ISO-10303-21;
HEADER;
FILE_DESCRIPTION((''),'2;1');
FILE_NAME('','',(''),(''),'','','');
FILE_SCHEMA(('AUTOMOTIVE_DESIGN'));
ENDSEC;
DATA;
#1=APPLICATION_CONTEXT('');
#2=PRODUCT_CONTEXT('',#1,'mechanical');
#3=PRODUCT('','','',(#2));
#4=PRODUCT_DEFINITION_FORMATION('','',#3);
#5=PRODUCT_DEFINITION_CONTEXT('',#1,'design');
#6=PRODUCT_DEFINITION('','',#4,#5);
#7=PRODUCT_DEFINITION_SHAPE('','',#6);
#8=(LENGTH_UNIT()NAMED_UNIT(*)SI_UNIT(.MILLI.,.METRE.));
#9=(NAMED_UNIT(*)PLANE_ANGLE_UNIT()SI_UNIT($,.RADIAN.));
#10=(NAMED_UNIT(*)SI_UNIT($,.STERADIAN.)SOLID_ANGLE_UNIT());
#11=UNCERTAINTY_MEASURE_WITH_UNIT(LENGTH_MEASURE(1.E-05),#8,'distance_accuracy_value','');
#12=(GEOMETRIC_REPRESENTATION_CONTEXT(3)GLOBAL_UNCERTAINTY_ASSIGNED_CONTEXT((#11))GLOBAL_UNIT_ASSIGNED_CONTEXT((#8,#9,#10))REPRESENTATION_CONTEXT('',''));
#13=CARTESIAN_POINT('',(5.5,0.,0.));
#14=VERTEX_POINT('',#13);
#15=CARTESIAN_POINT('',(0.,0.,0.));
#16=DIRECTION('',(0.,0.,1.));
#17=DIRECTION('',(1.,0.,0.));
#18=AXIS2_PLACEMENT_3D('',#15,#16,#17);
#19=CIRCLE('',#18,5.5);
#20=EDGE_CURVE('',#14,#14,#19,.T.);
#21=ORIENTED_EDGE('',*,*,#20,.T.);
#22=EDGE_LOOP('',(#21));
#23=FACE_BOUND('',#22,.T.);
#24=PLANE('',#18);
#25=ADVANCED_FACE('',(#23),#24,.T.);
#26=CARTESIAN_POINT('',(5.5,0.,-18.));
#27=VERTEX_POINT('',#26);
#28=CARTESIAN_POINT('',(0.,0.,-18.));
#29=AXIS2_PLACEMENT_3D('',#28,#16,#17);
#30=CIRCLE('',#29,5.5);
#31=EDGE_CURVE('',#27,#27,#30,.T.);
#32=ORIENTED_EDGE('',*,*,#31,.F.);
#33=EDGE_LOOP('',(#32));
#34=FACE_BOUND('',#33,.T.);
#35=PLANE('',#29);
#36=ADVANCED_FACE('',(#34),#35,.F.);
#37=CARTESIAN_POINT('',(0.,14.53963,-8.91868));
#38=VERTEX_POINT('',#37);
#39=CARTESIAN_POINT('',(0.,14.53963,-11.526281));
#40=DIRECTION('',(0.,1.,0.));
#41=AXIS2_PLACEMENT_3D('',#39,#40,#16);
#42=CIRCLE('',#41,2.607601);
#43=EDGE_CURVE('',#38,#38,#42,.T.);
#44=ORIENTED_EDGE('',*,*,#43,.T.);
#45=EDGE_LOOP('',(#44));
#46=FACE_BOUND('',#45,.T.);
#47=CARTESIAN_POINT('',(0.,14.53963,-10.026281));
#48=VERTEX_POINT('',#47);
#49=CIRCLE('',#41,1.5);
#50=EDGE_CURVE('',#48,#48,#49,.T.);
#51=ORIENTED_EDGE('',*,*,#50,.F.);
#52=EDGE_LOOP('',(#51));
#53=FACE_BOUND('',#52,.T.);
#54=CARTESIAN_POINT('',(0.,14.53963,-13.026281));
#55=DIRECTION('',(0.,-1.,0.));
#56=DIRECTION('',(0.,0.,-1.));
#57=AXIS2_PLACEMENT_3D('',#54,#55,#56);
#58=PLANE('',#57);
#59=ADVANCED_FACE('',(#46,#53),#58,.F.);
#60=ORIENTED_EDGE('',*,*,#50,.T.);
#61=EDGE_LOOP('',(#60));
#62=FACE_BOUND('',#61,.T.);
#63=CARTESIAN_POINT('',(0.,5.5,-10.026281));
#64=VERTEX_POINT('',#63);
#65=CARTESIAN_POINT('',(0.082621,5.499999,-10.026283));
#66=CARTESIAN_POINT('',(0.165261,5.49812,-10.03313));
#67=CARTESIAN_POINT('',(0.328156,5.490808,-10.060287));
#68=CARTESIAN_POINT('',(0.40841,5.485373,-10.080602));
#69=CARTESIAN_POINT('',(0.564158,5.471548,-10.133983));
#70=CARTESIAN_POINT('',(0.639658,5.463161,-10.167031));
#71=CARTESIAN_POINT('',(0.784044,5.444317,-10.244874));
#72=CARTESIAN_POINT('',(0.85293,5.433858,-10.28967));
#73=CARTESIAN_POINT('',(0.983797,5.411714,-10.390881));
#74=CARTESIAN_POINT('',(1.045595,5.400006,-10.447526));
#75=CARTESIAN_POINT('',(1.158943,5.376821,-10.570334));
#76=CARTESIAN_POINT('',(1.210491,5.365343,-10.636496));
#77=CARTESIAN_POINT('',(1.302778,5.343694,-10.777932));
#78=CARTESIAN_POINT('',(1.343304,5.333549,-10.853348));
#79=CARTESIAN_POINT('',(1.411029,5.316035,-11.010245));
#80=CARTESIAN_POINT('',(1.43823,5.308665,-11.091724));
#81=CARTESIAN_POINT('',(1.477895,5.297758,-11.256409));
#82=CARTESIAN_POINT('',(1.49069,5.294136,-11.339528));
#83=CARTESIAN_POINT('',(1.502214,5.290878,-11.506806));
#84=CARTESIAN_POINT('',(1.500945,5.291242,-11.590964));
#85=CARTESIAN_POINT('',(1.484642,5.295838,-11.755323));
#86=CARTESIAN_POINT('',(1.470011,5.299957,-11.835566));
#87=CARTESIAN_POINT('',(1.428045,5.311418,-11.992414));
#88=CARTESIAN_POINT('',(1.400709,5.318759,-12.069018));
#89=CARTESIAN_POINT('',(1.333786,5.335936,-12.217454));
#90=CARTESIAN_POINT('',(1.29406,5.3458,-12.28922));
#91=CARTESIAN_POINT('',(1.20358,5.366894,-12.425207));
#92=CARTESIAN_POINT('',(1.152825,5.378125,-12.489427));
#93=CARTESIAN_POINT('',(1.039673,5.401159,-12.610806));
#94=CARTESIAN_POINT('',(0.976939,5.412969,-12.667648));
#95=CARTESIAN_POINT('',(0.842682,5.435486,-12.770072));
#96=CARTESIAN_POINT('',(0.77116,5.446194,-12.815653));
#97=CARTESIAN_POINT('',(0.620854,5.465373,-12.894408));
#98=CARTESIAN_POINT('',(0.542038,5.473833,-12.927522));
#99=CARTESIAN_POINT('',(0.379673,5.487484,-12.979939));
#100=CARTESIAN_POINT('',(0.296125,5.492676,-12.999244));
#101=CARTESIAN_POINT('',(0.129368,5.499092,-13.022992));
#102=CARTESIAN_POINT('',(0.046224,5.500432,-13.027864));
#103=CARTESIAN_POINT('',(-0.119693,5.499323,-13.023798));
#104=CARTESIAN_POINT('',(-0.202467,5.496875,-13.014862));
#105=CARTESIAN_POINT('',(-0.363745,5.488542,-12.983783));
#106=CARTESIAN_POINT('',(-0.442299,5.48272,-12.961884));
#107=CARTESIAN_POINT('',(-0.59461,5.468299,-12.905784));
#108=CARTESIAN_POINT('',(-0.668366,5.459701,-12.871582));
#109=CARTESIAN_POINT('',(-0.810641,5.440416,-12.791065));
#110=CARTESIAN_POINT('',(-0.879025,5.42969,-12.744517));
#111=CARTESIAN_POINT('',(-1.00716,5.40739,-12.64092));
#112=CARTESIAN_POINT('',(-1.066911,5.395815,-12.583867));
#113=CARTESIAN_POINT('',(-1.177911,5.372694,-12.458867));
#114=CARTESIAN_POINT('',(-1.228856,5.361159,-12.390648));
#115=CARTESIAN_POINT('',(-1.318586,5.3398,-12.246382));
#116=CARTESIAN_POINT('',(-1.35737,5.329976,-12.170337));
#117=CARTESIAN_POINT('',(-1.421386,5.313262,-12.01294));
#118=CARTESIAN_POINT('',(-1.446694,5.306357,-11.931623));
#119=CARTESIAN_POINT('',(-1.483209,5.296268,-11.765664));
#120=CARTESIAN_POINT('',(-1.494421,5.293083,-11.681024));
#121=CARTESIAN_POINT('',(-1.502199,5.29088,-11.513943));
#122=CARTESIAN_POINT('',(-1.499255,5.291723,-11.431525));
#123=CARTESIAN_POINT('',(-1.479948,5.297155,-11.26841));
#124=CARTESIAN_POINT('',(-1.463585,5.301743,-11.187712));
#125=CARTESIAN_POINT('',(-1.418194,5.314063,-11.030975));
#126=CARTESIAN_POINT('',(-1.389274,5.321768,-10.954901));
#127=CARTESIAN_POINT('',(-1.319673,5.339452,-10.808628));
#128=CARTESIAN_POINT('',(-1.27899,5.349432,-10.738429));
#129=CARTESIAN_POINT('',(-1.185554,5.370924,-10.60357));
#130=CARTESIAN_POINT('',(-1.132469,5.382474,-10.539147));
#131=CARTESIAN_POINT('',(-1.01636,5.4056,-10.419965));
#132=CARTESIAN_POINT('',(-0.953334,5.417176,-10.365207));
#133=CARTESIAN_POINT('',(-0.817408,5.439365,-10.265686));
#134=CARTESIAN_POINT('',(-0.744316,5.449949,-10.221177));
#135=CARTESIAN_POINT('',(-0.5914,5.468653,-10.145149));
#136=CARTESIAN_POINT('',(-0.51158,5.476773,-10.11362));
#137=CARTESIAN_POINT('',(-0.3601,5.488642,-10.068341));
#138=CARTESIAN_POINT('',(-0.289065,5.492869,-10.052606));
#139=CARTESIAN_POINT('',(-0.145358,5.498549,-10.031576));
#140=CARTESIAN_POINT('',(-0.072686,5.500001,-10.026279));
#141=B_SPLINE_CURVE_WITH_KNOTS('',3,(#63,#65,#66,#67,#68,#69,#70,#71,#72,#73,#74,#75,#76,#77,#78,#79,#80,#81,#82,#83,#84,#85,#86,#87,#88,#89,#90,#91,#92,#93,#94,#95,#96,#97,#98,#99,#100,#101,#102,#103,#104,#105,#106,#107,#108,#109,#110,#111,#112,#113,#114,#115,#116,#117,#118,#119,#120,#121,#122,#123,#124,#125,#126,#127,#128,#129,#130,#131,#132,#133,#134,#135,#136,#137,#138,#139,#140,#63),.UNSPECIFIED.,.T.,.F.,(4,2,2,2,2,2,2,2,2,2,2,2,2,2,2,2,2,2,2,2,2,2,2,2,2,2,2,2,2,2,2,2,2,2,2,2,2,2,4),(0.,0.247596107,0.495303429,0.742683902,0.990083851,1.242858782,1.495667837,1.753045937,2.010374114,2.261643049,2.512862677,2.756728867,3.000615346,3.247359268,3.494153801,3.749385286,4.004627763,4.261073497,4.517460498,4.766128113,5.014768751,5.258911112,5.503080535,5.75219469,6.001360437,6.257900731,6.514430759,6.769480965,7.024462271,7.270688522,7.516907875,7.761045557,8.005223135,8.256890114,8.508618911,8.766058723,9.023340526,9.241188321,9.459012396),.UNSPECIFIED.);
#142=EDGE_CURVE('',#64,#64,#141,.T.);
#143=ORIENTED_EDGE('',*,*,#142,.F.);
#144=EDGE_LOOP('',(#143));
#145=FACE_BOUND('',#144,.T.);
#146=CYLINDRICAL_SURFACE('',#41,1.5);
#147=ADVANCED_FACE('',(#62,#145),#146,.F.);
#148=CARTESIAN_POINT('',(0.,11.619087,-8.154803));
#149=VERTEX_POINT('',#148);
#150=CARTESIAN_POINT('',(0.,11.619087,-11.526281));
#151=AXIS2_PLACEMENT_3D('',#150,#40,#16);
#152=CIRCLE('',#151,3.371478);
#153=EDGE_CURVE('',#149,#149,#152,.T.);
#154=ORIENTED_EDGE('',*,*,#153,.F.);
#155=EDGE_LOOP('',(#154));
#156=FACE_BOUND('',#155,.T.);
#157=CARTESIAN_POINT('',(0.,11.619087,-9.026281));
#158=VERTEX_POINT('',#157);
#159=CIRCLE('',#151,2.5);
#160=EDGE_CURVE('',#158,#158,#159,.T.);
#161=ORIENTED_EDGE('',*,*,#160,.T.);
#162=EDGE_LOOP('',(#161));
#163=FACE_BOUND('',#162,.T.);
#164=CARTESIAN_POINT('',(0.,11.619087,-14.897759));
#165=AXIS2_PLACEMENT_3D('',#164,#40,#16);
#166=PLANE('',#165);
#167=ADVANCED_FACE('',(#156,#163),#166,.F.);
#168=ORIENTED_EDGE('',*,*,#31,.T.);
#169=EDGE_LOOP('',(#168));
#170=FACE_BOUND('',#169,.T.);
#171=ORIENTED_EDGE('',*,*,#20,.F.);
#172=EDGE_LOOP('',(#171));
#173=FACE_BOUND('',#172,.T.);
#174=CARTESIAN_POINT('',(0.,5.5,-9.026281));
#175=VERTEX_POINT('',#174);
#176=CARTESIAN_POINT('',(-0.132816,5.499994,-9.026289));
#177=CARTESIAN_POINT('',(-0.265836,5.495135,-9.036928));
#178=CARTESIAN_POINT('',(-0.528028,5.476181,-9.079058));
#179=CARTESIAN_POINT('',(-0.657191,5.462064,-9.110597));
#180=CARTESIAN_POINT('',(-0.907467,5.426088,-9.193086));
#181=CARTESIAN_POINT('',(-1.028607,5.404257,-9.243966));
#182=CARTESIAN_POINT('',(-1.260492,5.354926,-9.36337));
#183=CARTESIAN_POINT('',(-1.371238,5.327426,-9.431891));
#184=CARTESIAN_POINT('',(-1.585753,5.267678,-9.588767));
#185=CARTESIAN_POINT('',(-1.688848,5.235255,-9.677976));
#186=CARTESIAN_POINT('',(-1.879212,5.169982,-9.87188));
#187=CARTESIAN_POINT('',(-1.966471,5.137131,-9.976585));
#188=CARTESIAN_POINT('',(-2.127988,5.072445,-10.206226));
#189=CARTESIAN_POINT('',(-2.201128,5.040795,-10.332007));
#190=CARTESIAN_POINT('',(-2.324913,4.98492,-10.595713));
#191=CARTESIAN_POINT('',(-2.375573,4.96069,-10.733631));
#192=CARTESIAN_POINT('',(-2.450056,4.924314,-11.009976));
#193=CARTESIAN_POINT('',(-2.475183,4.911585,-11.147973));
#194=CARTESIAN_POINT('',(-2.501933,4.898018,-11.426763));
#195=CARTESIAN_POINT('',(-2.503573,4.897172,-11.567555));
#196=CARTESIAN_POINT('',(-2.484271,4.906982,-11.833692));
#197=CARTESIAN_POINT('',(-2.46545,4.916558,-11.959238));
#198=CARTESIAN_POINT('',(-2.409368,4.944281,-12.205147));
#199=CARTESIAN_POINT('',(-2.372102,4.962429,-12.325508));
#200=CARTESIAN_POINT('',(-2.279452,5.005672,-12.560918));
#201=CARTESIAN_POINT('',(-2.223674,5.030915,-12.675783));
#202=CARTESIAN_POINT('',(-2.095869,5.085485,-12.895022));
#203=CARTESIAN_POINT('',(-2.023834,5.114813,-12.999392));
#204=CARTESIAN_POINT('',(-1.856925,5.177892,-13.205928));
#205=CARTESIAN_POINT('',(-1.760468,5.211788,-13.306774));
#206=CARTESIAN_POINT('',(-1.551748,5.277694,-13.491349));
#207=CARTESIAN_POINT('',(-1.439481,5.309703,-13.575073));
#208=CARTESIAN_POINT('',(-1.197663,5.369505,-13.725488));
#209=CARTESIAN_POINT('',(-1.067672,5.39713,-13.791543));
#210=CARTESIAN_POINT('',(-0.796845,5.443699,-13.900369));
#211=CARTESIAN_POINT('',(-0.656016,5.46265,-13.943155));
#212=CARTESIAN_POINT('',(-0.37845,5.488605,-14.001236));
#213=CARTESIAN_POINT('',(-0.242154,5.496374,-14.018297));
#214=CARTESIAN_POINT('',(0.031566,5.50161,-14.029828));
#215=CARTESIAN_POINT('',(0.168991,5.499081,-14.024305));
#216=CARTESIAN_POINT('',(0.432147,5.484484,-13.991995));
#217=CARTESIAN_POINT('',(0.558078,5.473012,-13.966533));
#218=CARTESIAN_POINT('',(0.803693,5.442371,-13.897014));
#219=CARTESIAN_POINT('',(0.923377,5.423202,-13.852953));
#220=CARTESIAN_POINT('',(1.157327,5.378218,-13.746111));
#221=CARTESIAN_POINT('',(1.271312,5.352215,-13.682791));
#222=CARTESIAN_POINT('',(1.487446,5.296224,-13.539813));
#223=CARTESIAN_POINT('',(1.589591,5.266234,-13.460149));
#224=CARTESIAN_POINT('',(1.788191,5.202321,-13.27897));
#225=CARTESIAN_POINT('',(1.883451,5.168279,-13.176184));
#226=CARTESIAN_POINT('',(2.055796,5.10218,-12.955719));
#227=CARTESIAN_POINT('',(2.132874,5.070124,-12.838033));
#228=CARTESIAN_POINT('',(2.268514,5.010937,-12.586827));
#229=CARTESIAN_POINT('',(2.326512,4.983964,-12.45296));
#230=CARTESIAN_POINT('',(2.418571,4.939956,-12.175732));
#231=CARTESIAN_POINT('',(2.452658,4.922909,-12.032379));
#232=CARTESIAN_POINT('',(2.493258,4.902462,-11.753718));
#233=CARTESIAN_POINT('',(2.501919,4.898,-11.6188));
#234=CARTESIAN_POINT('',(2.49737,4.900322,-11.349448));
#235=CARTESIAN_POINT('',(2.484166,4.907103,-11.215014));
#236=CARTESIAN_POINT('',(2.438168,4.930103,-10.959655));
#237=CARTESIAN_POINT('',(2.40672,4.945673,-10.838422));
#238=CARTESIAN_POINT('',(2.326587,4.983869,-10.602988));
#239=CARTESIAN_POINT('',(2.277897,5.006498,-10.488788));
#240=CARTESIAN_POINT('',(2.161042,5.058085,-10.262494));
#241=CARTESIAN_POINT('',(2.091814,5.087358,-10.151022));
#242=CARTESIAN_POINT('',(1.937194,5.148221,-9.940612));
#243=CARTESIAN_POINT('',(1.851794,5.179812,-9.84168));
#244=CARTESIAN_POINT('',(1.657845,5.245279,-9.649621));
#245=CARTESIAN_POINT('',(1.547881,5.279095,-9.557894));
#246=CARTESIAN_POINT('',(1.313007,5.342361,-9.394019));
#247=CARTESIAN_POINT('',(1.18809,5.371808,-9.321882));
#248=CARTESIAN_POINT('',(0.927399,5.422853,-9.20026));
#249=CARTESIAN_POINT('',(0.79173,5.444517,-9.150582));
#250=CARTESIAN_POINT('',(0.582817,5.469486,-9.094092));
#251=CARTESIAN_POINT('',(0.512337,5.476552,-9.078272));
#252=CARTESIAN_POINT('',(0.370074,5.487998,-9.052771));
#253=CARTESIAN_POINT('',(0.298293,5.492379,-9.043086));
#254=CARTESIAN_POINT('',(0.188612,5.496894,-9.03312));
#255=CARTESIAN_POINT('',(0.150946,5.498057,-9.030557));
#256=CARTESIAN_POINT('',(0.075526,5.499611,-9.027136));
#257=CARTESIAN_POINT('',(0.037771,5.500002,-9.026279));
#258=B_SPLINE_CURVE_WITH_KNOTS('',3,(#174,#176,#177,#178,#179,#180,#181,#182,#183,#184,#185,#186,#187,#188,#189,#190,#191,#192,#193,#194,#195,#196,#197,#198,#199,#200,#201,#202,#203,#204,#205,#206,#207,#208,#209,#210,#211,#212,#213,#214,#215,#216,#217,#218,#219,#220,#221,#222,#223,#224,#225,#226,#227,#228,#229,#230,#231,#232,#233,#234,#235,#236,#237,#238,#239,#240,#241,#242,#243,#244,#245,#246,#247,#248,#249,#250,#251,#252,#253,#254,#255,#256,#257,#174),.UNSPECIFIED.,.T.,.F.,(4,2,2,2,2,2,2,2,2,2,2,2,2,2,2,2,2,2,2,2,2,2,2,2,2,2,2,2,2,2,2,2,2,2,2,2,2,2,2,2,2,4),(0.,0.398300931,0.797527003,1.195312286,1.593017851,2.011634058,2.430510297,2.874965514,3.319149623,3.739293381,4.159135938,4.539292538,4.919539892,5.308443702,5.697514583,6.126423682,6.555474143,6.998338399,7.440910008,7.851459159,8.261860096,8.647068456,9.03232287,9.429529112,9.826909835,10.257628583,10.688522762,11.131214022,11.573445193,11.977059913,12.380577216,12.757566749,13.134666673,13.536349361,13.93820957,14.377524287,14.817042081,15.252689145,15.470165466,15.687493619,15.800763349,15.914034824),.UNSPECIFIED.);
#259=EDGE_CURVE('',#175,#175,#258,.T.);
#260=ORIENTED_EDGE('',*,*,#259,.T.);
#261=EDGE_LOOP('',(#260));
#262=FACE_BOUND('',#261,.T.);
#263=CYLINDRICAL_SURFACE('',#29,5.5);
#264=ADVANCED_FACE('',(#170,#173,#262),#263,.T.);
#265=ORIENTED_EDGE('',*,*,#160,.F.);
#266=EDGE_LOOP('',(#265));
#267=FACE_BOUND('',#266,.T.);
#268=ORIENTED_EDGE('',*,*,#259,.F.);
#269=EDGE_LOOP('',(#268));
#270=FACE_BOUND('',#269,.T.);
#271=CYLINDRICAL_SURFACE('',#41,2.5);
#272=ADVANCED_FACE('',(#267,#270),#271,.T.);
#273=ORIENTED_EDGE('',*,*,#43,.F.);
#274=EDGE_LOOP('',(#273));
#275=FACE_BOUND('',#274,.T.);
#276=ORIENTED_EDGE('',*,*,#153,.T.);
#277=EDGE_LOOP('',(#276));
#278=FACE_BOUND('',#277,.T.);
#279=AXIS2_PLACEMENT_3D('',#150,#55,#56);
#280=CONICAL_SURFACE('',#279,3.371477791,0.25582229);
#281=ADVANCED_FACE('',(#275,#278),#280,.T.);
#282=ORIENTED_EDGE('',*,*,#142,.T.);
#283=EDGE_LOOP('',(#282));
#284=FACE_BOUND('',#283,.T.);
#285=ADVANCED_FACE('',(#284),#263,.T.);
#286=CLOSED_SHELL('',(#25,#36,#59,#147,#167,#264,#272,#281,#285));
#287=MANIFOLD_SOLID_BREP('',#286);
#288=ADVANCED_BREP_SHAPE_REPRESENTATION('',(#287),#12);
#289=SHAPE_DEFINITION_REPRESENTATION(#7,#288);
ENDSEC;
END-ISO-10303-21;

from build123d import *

# Parameters (mm, degrees)
SKETCH1_R           = 5.5
BOSS_EXTRUDE1_DEPTH = 18


with BuildPart() as part:
    # Sketch1 → Boss-Extrude1 (new body)
    with BuildSketch(Plane.XY):
        Circle(SKETCH1_R)
    extrude(amount=-BOSS_EXTRUDE1_DEPTH)

    # Sketch3 → Revolve1 (revolve)
    with BuildSketch(Plane(origin=(0, 0, 0), x_dir=(0, 0, -1), z_dir=(1, 0, 0))):
        Polygon((13.026280971, 14.539629518), (14.13388163, 14.539629518), (14.897758762, 11.619086594), (14.026280971, 11.619086594), (14.026280971, 0.039629518), (13.026280971, 0.039629518), align=None)
    revolve(axis=Axis((0, 14.539629518, -11.526280971), (0, -1, 0)))


solid = part.part
